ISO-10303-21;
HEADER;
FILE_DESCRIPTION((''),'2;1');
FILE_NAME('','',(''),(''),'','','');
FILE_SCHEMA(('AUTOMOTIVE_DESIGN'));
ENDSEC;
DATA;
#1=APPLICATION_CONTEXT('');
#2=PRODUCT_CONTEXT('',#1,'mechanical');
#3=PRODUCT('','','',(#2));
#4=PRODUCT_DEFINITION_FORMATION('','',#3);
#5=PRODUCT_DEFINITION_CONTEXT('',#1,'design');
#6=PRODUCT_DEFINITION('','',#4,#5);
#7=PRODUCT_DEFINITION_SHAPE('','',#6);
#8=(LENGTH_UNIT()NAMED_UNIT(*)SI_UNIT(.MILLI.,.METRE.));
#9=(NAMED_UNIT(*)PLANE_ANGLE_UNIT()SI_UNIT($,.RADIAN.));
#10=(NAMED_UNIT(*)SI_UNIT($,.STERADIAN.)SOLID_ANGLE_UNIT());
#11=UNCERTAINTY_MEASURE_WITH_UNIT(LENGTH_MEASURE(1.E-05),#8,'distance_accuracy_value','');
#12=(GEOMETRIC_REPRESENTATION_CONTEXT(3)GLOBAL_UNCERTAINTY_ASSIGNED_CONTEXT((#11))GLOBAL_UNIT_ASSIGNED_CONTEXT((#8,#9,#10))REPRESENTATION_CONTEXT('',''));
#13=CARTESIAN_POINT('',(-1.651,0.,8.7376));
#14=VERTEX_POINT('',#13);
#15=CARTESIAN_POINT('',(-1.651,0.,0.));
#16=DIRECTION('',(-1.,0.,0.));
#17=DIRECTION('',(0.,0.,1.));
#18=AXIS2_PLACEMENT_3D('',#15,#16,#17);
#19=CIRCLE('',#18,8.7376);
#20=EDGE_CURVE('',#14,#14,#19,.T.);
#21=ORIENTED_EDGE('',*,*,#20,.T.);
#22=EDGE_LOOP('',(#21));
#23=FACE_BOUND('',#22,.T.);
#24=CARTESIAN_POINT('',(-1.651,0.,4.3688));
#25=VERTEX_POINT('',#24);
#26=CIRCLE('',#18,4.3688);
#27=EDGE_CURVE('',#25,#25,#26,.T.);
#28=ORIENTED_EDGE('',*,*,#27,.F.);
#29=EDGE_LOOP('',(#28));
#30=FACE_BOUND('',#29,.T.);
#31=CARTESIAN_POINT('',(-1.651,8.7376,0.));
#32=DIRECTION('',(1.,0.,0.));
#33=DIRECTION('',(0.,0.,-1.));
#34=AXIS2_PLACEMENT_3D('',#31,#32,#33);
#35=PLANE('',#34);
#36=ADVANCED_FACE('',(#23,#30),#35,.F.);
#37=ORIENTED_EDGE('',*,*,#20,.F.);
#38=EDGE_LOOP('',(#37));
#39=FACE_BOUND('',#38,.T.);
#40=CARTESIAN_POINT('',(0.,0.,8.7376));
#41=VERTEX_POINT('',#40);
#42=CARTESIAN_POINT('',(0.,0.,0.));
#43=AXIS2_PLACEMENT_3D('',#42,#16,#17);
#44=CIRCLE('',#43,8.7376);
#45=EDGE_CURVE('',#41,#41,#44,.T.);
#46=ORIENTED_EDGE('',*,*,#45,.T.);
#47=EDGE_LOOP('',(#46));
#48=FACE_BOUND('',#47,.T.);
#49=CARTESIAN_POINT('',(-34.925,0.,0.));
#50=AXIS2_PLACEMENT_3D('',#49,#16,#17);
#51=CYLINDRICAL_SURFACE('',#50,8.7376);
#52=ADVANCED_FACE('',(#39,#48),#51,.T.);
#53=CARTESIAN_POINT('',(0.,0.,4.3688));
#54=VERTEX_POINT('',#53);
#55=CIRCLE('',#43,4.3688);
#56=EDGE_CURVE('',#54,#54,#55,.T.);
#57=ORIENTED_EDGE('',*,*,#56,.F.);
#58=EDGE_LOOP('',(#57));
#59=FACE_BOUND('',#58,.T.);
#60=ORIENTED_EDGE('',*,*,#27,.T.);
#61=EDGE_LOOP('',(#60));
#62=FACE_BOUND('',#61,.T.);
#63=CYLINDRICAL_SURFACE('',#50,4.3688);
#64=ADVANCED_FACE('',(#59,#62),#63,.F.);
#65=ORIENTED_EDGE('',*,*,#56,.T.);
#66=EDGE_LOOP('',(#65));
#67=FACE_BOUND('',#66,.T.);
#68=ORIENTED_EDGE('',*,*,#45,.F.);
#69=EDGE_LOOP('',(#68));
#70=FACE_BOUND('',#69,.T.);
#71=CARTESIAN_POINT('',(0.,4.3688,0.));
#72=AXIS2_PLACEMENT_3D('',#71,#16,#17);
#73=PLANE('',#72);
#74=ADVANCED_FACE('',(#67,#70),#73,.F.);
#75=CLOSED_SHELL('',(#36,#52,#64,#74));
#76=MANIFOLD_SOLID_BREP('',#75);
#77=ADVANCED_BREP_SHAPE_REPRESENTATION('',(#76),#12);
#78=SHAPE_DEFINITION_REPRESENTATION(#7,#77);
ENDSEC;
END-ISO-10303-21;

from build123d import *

# Parameters (mm, degrees)
SKETCH1_W = 1.651
SKETCH1_H = 4.3688


with BuildPart() as part:
    # Sketch1 → Base-Revolve (revolve)
    with BuildSketch(Plane.XY, mode=Mode.PRIVATE) as base_revolve_sk:
        with Locations((-0.8255, 6.5532)):
            Rectangle(SKETCH1_W, SKETCH1_H)
    revolve(base_revolve_sk.sketch.rotate(Axis((-34.925, 0, 0), (1, 0, 0)), 90), axis=Axis((-34.925, 0, 0), (1, 0, 0)))


solid = part.part
